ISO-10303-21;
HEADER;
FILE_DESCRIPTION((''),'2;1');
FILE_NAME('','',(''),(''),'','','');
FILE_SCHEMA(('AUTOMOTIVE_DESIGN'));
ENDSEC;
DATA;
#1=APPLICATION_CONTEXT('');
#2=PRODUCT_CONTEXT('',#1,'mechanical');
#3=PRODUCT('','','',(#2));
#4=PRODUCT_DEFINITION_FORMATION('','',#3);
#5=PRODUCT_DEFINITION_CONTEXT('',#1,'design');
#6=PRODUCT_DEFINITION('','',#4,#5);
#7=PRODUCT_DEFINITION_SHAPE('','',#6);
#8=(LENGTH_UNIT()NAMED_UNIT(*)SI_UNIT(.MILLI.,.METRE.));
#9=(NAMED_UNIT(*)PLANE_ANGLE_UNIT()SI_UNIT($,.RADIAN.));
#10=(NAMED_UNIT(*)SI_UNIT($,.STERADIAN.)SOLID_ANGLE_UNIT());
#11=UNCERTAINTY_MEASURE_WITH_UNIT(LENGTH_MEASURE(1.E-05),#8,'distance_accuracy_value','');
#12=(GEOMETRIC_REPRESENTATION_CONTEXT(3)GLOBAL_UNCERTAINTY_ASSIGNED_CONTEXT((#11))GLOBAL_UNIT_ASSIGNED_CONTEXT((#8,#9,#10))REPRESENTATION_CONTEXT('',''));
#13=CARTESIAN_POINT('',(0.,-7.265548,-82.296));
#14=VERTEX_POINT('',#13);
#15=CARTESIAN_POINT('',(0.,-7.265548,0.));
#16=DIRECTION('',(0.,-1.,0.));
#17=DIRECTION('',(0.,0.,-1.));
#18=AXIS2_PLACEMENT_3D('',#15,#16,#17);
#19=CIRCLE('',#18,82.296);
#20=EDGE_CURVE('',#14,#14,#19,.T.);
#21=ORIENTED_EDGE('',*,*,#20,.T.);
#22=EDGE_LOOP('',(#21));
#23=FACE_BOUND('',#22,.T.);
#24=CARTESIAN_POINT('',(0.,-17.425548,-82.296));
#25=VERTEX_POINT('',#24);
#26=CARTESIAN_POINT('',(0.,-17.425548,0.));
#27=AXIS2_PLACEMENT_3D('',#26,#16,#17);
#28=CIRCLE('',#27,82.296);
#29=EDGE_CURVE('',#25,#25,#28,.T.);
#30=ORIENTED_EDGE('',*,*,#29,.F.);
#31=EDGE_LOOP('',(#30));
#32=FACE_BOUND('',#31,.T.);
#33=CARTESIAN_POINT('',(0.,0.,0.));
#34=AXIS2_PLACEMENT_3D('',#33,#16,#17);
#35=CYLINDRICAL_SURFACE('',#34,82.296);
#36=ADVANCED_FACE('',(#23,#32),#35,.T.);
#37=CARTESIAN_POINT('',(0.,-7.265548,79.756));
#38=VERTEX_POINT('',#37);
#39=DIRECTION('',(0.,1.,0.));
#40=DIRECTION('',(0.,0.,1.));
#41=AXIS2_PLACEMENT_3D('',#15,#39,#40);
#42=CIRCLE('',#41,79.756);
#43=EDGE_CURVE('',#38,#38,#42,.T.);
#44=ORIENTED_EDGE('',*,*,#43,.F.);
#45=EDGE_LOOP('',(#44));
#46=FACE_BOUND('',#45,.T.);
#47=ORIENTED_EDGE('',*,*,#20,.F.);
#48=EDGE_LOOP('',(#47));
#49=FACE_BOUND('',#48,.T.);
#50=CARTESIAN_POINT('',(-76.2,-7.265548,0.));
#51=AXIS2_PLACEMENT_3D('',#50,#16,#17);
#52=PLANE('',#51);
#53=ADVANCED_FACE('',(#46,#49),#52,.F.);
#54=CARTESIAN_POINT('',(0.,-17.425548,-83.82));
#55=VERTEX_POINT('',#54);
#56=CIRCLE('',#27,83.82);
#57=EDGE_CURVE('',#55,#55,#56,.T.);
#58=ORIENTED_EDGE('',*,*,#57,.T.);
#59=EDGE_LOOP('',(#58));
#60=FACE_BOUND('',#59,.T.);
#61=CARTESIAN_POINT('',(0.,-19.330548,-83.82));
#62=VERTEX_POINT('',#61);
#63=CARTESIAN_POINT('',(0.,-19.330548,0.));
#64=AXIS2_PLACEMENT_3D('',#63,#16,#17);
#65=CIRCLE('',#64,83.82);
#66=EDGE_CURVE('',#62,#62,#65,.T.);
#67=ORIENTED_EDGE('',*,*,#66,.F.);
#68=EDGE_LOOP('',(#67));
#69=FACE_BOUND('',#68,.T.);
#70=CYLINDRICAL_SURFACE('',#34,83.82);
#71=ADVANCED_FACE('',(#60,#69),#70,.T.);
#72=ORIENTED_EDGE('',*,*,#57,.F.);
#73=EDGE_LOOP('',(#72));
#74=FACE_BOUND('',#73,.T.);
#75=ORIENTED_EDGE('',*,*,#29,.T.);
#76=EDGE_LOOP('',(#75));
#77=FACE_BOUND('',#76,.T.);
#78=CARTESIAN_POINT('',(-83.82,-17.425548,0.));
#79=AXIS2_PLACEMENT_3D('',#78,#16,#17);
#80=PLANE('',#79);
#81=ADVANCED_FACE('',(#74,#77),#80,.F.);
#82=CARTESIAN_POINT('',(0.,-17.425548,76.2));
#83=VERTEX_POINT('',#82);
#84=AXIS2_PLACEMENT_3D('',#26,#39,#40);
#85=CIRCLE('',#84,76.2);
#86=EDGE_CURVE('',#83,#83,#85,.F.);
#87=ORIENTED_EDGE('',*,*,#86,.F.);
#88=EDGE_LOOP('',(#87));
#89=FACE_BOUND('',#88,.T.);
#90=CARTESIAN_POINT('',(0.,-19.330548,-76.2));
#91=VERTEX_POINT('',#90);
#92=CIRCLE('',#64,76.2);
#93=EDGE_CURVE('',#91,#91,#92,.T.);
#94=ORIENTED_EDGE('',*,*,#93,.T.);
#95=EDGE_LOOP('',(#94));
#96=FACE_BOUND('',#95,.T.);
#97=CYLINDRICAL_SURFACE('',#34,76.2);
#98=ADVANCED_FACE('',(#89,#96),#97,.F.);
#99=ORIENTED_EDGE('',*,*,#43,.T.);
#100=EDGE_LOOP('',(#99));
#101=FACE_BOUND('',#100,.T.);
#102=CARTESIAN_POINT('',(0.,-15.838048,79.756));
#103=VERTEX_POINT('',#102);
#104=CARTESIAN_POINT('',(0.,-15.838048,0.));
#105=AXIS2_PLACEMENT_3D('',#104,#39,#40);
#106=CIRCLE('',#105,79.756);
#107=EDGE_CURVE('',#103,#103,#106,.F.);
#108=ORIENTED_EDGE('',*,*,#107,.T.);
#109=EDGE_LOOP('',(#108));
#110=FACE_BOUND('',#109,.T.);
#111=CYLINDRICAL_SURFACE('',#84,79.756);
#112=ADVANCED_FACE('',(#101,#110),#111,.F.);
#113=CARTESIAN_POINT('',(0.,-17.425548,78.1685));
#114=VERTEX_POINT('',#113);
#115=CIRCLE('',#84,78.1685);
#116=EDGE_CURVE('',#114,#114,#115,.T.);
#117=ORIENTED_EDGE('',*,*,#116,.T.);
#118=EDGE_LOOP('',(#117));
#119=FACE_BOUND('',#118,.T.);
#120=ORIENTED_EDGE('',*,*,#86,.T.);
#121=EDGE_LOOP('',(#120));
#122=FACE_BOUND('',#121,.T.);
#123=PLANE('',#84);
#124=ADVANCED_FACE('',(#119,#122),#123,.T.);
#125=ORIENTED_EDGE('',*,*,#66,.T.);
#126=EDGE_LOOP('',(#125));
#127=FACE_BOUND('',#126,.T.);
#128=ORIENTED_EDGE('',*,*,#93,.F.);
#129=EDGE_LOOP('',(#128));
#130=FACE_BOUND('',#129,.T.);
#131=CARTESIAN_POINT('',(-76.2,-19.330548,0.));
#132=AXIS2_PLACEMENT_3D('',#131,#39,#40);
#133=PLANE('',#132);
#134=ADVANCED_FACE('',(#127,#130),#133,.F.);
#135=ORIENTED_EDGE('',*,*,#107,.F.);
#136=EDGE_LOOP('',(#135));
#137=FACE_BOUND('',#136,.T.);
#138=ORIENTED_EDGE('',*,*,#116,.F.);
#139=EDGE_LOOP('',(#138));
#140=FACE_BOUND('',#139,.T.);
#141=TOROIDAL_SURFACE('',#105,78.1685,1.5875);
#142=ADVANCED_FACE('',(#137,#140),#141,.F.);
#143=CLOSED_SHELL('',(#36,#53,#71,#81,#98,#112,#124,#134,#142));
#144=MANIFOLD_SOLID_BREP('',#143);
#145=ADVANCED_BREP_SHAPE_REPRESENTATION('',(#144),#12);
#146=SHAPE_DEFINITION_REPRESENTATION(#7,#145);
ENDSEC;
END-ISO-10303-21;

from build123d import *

# Parameters (mm, degrees)
CUT_EXTRUDE1_START = -10.16
SKETCH2_R          = 79.756
SKETCH2_R_2        = 76.2
CUT_EXTRUDE1_DEPTH = 10.16
FILLET1_R          = 1.5875


with BuildPart() as part:
    # Sketch1 → Revolve1 (revolve)
    with BuildSketch(Plane.XY, mode=Mode.PRIVATE) as revolve1_sk:
        Polygon((-83.82, -19.330547638), (-83.82, -17.425547638), (-82.296, -17.425547638), (-82.296, -7.265547638), (-76.2, -7.265547638), (-76.2, -17.425547638), (-76.2, -19.330547638), align=None)
    revolve(revolve1_sk.sketch.rotate(Axis((0, 0, 0), (0, 1, 0)), 270), axis=Axis((0, 0, 0), (0, 1, 0)))

    # Sketch2 → Cut-Extrude1 (cut)
    with BuildSketch(Plane(origin=(0, -7.265547638, 0), x_dir=(1, 0, 0), z_dir=(0, 1, 0)).offset(CUT_EXTRUDE1_START)):
        with Locations(Location((0, 0, 0), (0, 0, 270))):
            Circle(SKETCH2_R)
        with Locations(Location((0, 0, 0), (0, 0, 90))):
            Circle(SKETCH2_R_2, mode=Mode.SUBTRACT)
    extrude(amount=CUT_EXTRUDE1_DEPTH, mode=Mode.SUBTRACT)

    # Fillet1
    fillet1_edges = [part.edges().sort_by_distance(p)[0] for p in [
        (0, -17.425547638, -79.756),
    ]]
    fillet(fillet1_edges, radius=FILLET1_R)


solid = part.part
